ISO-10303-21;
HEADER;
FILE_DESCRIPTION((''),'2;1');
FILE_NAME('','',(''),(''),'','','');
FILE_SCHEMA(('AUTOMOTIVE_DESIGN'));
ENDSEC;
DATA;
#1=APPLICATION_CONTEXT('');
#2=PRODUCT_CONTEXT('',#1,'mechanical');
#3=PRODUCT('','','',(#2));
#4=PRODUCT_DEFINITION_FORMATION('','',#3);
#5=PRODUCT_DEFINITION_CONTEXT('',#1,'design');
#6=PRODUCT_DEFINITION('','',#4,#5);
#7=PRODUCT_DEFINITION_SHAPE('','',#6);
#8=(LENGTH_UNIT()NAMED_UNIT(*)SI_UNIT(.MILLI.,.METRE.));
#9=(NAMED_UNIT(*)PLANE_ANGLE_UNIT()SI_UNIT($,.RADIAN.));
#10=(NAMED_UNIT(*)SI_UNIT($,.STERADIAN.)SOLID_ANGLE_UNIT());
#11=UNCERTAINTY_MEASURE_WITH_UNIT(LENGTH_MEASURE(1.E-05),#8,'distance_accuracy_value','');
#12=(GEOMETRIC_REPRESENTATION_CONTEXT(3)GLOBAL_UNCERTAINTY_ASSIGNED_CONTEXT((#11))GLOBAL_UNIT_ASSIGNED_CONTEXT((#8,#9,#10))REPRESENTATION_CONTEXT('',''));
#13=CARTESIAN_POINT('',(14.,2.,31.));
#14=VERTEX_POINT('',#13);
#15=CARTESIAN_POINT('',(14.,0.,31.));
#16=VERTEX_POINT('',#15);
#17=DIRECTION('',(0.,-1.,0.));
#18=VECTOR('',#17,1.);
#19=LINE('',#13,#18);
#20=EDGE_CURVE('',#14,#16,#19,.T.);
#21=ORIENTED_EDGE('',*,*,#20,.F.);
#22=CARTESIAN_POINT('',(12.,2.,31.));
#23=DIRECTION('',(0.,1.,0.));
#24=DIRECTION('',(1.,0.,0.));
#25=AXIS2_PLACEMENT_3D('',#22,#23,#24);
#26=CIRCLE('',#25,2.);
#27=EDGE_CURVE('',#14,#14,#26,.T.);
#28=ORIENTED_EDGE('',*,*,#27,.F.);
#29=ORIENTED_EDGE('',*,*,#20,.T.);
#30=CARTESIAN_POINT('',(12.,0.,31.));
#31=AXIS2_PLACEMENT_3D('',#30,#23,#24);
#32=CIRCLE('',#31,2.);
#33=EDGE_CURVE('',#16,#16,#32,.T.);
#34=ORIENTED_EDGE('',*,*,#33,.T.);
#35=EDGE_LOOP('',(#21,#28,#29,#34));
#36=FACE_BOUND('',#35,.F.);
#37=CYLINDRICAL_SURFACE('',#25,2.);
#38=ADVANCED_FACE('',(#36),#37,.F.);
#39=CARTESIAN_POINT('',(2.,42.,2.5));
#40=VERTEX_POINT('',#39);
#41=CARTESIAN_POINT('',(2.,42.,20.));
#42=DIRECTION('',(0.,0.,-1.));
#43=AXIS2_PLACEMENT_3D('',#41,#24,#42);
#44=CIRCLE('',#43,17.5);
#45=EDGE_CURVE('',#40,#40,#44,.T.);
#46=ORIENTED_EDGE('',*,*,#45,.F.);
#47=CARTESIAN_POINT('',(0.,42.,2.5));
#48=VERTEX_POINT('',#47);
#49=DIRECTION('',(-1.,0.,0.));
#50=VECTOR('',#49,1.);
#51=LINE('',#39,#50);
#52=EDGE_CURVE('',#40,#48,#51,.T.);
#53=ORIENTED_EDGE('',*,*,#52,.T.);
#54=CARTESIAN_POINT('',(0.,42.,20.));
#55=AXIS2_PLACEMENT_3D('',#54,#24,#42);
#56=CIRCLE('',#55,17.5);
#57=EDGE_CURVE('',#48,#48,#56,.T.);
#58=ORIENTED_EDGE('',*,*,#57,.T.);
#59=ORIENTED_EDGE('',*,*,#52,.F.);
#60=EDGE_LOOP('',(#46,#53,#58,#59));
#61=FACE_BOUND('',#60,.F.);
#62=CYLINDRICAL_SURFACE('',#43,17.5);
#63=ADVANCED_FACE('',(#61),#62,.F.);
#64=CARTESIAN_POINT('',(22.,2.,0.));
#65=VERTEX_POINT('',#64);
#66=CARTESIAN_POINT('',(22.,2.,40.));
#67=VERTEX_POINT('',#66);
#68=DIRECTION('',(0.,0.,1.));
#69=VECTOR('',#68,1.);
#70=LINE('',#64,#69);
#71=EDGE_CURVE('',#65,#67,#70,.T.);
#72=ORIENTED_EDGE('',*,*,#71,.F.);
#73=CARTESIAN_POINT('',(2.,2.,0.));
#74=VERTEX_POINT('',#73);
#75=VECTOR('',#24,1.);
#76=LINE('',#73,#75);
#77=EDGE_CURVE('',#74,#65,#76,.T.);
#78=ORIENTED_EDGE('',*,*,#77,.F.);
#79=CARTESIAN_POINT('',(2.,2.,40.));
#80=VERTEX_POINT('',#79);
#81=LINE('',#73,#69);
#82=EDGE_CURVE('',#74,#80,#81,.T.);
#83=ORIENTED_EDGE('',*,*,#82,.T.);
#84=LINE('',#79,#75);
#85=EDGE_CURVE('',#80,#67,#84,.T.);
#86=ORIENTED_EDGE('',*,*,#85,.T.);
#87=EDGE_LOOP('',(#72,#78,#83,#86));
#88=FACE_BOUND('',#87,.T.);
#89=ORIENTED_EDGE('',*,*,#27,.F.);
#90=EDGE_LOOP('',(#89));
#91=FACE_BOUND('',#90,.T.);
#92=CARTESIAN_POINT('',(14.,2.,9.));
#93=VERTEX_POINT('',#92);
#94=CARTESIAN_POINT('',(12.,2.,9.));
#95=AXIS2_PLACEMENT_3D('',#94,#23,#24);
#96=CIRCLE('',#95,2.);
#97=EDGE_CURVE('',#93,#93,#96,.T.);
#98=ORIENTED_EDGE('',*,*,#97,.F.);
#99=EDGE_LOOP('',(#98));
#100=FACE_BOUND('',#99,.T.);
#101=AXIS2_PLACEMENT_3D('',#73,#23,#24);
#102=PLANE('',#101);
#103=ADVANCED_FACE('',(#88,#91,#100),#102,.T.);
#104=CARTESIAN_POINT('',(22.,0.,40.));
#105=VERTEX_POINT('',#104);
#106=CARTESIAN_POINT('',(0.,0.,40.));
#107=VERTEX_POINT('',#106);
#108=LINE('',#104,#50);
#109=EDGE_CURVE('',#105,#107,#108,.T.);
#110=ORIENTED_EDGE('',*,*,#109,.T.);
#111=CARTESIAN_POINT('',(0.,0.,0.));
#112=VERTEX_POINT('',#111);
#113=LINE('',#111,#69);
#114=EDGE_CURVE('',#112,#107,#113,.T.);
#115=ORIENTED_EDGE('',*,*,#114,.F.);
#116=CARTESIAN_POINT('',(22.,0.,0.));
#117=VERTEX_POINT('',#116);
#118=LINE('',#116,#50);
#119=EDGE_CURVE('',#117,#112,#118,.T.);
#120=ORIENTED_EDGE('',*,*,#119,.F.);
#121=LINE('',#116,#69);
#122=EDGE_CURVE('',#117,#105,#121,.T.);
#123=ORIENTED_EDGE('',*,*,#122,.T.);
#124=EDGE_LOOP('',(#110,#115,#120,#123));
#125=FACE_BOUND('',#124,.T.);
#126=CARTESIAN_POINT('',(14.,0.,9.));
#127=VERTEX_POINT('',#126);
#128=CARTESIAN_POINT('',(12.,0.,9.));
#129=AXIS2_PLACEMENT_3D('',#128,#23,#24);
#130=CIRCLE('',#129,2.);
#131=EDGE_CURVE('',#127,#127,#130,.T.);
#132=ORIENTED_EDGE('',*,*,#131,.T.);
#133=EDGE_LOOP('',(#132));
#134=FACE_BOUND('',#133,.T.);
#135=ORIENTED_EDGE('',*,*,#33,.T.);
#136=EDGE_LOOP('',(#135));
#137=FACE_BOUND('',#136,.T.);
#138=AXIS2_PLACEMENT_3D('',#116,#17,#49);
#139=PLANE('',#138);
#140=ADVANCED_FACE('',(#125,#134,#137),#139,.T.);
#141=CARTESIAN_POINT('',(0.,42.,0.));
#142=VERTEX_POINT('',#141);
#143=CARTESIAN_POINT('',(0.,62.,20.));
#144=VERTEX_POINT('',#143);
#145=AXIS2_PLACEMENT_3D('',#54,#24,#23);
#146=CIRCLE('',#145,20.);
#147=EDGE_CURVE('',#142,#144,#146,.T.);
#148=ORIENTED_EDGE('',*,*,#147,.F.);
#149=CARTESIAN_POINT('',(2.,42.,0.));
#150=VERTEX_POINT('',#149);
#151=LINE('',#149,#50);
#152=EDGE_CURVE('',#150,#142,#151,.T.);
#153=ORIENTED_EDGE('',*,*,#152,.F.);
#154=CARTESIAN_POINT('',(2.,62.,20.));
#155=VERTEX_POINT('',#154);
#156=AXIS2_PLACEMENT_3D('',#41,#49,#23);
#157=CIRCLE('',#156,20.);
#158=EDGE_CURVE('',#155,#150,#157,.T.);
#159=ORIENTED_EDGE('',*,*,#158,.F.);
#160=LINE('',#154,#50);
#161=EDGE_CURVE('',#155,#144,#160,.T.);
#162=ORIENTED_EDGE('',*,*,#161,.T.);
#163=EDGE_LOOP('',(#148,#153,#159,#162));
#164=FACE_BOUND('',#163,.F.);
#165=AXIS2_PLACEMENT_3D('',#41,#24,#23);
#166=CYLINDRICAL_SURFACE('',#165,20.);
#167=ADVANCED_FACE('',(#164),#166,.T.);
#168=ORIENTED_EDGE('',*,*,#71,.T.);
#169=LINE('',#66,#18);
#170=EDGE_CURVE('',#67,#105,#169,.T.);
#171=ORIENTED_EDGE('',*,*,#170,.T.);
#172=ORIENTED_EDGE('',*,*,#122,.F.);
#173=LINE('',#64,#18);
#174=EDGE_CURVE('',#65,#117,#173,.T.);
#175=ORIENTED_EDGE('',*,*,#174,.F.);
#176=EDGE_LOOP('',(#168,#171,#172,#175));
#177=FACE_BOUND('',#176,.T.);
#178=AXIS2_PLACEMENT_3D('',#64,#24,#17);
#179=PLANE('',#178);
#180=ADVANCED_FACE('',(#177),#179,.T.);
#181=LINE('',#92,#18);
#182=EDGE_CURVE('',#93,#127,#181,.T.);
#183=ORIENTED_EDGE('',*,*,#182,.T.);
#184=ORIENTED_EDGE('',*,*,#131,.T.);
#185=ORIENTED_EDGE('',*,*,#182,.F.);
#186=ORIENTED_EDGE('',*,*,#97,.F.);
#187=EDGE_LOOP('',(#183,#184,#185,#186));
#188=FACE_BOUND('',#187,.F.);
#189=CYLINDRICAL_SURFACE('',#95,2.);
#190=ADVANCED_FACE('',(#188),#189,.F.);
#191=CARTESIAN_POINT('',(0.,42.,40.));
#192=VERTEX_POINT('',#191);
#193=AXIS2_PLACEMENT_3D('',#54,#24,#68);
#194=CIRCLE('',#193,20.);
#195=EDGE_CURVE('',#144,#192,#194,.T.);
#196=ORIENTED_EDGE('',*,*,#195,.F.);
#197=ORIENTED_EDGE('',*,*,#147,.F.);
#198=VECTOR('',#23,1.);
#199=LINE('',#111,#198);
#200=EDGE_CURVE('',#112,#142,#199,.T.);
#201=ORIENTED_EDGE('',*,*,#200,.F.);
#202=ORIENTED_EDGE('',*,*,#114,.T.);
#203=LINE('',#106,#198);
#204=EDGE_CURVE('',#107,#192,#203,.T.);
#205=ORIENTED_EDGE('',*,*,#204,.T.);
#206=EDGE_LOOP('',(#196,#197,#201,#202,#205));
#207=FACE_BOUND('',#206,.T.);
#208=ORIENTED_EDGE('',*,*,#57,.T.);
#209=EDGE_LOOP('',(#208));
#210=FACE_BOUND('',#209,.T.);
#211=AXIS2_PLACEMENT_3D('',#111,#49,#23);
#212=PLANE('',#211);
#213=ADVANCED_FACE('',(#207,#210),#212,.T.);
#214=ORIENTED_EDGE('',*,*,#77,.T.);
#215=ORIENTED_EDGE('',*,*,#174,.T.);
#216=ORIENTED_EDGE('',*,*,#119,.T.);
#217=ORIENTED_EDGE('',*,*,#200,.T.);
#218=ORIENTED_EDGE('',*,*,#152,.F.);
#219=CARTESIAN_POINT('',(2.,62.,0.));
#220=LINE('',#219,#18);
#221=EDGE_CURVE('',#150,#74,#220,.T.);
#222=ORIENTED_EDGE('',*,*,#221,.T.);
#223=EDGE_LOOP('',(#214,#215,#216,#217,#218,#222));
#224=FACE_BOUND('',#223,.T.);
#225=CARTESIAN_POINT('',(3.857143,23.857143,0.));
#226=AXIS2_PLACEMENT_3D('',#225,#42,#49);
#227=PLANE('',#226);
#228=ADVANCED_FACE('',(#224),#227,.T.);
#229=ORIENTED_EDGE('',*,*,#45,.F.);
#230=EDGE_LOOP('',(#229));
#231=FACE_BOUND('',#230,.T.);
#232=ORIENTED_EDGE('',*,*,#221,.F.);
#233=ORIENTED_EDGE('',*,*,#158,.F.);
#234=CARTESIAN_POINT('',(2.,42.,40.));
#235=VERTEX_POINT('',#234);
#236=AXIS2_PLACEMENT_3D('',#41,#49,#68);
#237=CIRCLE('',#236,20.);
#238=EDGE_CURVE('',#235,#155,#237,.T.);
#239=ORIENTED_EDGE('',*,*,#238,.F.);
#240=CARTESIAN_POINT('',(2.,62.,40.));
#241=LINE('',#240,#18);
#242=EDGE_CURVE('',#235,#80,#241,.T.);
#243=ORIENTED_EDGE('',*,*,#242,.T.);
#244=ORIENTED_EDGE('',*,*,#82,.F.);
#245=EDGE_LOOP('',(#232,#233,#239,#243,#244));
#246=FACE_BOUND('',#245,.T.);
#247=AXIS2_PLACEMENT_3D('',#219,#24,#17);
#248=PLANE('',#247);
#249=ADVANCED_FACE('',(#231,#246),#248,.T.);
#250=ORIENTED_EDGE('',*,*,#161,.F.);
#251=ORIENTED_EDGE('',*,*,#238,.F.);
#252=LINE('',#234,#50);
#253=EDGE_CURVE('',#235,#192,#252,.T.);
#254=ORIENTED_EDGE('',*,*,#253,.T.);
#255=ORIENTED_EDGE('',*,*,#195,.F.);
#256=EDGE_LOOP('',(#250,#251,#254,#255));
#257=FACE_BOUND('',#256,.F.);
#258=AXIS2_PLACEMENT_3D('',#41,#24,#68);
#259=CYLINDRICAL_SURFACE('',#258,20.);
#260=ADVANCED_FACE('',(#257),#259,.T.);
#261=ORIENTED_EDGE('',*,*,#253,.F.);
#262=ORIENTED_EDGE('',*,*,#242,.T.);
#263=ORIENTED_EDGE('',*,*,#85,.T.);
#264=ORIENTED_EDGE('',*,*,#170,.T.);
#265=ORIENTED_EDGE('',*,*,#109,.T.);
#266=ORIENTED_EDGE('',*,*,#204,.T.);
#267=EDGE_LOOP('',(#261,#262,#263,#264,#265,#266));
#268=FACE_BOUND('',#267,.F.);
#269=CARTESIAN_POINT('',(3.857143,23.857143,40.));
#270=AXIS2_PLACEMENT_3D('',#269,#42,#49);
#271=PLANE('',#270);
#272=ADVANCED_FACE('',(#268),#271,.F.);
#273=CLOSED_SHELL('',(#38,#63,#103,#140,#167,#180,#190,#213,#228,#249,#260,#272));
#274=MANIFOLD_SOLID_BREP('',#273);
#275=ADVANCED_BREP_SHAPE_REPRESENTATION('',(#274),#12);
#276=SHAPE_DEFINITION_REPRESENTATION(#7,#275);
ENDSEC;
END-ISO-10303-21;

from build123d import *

# Parameters (mm, degrees)
BOSS_EXTRUDE1_DEPTH = 40
CUT_EXTRUDE1_REACH  = 4
SKETCH2_R           = 17.5
CUT_EXTRUDE2_REACH  = 4
CUT_EXTRUDE3_REACH  = 4
SKETCH6_R           = 2


with BuildPart() as part:
    # Sketch1 → Boss-Extrude1 (new body)
    with BuildSketch(Plane.XY):
        Polygon((0, 0), (0, 62), (2, 62), (2, 2), (22, 2), (22, 0), align=None)
    extrude(amount=BOSS_EXTRUDE1_DEPTH)

    # Sketch2 → Cut-Extrude1 (cut, up to next)
    with BuildSketch(Plane(origin=(2, 0, 0), x_dir=(0, 0, -1), z_dir=(1, 0, 0)), mode=Mode.PRIVATE) as cut_extrude1_sk1:
        with Locations((-20, 42)):
            Circle(SKETCH2_R)
    cut_extrude1_tool1 = extrude(cut_extrude1_sk1.sketch, amount=-CUT_EXTRUDE1_REACH, mode=Mode.PRIVATE) & part.part
    add(cut_extrude1_tool1.solids().sort_by_distance((2, 42, 20))[0], mode=Mode.SUBTRACT)

    # Sketch5 → Cut-Extrude2 (cut, up to next)
    with BuildSketch(Plane(origin=(2, 0, 0), x_dir=(0, 0, -1), z_dir=(1, 0, 0)), mode=Mode.PRIVATE) as cut_extrude2_sk1:
        with BuildLine():
            Line((-40, 62), (-40, 42))
            ThreePointArc((-40, 42), (-34.142135624, 56.142135624), (-20, 62))
            Line((-20, 62), (-40, 62))
        make_face()
    cut_extrude2_tool1 = extrude(cut_extrude2_sk1.sketch, amount=-CUT_EXTRUDE2_REACH, mode=Mode.PRIVATE) & part.part
    add(cut_extrude2_tool1.solids().sort_by_distance((2, 57.532641, 35.532641))[0], mode=Mode.SUBTRACT)
    # Sketch5 → Cut-Extrude2 (cut, up to next)
    with BuildSketch(Plane(origin=(2, 0, 0), x_dir=(0, 0, -1), z_dir=(1, 0, 0)), mode=Mode.PRIVATE) as cut_extrude2_sk2:
        with BuildLine():
            Line((0, 62), (-20, 62))
            ThreePointArc((-20, 62), (-5.857864376, 56.142135624), (0, 42))
            Line((0, 42), (0, 62))
        make_face()
    cut_extrude2_tool2 = extrude(cut_extrude2_sk2.sketch, amount=-CUT_EXTRUDE2_REACH, mode=Mode.PRIVATE) & part.part
    add(cut_extrude2_tool2.solids().sort_by_distance((2, 57.532641, 4.467359))[0], mode=Mode.SUBTRACT)

    # Sketch6 → Cut-Extrude3 (cut, up to next)
    with BuildSketch(Plane(origin=(0, 2, 0), x_dir=(1, 0, 0), z_dir=(0, 1, 0)), mode=Mode.PRIVATE) as cut_extrude3_sk1:
        with Locations((12, -9)):
            Circle(SKETCH6_R)
    cut_extrude3_tool1 = extrude(cut_extrude3_sk1.sketch, amount=-CUT_EXTRUDE3_REACH, mode=Mode.PRIVATE) & part.part
    add(cut_extrude3_tool1.solids().sort_by_distance((12, 2, 9))[0], mode=Mode.SUBTRACT)
    # Sketch6 → Cut-Extrude3 (cut, up to next)
    with BuildSketch(Plane(origin=(0, 2, 0), x_dir=(1, 0, 0), z_dir=(0, 1, 0)), mode=Mode.PRIVATE) as cut_extrude3_sk2:
        with Locations((12, -31)):
            Circle(SKETCH6_R)
    cut_extrude3_tool2 = extrude(cut_extrude3_sk2.sketch, amount=-CUT_EXTRUDE3_REACH, mode=Mode.PRIVATE) & part.part
    add(cut_extrude3_tool2.solids().sort_by_distance((12, 2, 31))[0], mode=Mode.SUBTRACT)


solid = part.part
